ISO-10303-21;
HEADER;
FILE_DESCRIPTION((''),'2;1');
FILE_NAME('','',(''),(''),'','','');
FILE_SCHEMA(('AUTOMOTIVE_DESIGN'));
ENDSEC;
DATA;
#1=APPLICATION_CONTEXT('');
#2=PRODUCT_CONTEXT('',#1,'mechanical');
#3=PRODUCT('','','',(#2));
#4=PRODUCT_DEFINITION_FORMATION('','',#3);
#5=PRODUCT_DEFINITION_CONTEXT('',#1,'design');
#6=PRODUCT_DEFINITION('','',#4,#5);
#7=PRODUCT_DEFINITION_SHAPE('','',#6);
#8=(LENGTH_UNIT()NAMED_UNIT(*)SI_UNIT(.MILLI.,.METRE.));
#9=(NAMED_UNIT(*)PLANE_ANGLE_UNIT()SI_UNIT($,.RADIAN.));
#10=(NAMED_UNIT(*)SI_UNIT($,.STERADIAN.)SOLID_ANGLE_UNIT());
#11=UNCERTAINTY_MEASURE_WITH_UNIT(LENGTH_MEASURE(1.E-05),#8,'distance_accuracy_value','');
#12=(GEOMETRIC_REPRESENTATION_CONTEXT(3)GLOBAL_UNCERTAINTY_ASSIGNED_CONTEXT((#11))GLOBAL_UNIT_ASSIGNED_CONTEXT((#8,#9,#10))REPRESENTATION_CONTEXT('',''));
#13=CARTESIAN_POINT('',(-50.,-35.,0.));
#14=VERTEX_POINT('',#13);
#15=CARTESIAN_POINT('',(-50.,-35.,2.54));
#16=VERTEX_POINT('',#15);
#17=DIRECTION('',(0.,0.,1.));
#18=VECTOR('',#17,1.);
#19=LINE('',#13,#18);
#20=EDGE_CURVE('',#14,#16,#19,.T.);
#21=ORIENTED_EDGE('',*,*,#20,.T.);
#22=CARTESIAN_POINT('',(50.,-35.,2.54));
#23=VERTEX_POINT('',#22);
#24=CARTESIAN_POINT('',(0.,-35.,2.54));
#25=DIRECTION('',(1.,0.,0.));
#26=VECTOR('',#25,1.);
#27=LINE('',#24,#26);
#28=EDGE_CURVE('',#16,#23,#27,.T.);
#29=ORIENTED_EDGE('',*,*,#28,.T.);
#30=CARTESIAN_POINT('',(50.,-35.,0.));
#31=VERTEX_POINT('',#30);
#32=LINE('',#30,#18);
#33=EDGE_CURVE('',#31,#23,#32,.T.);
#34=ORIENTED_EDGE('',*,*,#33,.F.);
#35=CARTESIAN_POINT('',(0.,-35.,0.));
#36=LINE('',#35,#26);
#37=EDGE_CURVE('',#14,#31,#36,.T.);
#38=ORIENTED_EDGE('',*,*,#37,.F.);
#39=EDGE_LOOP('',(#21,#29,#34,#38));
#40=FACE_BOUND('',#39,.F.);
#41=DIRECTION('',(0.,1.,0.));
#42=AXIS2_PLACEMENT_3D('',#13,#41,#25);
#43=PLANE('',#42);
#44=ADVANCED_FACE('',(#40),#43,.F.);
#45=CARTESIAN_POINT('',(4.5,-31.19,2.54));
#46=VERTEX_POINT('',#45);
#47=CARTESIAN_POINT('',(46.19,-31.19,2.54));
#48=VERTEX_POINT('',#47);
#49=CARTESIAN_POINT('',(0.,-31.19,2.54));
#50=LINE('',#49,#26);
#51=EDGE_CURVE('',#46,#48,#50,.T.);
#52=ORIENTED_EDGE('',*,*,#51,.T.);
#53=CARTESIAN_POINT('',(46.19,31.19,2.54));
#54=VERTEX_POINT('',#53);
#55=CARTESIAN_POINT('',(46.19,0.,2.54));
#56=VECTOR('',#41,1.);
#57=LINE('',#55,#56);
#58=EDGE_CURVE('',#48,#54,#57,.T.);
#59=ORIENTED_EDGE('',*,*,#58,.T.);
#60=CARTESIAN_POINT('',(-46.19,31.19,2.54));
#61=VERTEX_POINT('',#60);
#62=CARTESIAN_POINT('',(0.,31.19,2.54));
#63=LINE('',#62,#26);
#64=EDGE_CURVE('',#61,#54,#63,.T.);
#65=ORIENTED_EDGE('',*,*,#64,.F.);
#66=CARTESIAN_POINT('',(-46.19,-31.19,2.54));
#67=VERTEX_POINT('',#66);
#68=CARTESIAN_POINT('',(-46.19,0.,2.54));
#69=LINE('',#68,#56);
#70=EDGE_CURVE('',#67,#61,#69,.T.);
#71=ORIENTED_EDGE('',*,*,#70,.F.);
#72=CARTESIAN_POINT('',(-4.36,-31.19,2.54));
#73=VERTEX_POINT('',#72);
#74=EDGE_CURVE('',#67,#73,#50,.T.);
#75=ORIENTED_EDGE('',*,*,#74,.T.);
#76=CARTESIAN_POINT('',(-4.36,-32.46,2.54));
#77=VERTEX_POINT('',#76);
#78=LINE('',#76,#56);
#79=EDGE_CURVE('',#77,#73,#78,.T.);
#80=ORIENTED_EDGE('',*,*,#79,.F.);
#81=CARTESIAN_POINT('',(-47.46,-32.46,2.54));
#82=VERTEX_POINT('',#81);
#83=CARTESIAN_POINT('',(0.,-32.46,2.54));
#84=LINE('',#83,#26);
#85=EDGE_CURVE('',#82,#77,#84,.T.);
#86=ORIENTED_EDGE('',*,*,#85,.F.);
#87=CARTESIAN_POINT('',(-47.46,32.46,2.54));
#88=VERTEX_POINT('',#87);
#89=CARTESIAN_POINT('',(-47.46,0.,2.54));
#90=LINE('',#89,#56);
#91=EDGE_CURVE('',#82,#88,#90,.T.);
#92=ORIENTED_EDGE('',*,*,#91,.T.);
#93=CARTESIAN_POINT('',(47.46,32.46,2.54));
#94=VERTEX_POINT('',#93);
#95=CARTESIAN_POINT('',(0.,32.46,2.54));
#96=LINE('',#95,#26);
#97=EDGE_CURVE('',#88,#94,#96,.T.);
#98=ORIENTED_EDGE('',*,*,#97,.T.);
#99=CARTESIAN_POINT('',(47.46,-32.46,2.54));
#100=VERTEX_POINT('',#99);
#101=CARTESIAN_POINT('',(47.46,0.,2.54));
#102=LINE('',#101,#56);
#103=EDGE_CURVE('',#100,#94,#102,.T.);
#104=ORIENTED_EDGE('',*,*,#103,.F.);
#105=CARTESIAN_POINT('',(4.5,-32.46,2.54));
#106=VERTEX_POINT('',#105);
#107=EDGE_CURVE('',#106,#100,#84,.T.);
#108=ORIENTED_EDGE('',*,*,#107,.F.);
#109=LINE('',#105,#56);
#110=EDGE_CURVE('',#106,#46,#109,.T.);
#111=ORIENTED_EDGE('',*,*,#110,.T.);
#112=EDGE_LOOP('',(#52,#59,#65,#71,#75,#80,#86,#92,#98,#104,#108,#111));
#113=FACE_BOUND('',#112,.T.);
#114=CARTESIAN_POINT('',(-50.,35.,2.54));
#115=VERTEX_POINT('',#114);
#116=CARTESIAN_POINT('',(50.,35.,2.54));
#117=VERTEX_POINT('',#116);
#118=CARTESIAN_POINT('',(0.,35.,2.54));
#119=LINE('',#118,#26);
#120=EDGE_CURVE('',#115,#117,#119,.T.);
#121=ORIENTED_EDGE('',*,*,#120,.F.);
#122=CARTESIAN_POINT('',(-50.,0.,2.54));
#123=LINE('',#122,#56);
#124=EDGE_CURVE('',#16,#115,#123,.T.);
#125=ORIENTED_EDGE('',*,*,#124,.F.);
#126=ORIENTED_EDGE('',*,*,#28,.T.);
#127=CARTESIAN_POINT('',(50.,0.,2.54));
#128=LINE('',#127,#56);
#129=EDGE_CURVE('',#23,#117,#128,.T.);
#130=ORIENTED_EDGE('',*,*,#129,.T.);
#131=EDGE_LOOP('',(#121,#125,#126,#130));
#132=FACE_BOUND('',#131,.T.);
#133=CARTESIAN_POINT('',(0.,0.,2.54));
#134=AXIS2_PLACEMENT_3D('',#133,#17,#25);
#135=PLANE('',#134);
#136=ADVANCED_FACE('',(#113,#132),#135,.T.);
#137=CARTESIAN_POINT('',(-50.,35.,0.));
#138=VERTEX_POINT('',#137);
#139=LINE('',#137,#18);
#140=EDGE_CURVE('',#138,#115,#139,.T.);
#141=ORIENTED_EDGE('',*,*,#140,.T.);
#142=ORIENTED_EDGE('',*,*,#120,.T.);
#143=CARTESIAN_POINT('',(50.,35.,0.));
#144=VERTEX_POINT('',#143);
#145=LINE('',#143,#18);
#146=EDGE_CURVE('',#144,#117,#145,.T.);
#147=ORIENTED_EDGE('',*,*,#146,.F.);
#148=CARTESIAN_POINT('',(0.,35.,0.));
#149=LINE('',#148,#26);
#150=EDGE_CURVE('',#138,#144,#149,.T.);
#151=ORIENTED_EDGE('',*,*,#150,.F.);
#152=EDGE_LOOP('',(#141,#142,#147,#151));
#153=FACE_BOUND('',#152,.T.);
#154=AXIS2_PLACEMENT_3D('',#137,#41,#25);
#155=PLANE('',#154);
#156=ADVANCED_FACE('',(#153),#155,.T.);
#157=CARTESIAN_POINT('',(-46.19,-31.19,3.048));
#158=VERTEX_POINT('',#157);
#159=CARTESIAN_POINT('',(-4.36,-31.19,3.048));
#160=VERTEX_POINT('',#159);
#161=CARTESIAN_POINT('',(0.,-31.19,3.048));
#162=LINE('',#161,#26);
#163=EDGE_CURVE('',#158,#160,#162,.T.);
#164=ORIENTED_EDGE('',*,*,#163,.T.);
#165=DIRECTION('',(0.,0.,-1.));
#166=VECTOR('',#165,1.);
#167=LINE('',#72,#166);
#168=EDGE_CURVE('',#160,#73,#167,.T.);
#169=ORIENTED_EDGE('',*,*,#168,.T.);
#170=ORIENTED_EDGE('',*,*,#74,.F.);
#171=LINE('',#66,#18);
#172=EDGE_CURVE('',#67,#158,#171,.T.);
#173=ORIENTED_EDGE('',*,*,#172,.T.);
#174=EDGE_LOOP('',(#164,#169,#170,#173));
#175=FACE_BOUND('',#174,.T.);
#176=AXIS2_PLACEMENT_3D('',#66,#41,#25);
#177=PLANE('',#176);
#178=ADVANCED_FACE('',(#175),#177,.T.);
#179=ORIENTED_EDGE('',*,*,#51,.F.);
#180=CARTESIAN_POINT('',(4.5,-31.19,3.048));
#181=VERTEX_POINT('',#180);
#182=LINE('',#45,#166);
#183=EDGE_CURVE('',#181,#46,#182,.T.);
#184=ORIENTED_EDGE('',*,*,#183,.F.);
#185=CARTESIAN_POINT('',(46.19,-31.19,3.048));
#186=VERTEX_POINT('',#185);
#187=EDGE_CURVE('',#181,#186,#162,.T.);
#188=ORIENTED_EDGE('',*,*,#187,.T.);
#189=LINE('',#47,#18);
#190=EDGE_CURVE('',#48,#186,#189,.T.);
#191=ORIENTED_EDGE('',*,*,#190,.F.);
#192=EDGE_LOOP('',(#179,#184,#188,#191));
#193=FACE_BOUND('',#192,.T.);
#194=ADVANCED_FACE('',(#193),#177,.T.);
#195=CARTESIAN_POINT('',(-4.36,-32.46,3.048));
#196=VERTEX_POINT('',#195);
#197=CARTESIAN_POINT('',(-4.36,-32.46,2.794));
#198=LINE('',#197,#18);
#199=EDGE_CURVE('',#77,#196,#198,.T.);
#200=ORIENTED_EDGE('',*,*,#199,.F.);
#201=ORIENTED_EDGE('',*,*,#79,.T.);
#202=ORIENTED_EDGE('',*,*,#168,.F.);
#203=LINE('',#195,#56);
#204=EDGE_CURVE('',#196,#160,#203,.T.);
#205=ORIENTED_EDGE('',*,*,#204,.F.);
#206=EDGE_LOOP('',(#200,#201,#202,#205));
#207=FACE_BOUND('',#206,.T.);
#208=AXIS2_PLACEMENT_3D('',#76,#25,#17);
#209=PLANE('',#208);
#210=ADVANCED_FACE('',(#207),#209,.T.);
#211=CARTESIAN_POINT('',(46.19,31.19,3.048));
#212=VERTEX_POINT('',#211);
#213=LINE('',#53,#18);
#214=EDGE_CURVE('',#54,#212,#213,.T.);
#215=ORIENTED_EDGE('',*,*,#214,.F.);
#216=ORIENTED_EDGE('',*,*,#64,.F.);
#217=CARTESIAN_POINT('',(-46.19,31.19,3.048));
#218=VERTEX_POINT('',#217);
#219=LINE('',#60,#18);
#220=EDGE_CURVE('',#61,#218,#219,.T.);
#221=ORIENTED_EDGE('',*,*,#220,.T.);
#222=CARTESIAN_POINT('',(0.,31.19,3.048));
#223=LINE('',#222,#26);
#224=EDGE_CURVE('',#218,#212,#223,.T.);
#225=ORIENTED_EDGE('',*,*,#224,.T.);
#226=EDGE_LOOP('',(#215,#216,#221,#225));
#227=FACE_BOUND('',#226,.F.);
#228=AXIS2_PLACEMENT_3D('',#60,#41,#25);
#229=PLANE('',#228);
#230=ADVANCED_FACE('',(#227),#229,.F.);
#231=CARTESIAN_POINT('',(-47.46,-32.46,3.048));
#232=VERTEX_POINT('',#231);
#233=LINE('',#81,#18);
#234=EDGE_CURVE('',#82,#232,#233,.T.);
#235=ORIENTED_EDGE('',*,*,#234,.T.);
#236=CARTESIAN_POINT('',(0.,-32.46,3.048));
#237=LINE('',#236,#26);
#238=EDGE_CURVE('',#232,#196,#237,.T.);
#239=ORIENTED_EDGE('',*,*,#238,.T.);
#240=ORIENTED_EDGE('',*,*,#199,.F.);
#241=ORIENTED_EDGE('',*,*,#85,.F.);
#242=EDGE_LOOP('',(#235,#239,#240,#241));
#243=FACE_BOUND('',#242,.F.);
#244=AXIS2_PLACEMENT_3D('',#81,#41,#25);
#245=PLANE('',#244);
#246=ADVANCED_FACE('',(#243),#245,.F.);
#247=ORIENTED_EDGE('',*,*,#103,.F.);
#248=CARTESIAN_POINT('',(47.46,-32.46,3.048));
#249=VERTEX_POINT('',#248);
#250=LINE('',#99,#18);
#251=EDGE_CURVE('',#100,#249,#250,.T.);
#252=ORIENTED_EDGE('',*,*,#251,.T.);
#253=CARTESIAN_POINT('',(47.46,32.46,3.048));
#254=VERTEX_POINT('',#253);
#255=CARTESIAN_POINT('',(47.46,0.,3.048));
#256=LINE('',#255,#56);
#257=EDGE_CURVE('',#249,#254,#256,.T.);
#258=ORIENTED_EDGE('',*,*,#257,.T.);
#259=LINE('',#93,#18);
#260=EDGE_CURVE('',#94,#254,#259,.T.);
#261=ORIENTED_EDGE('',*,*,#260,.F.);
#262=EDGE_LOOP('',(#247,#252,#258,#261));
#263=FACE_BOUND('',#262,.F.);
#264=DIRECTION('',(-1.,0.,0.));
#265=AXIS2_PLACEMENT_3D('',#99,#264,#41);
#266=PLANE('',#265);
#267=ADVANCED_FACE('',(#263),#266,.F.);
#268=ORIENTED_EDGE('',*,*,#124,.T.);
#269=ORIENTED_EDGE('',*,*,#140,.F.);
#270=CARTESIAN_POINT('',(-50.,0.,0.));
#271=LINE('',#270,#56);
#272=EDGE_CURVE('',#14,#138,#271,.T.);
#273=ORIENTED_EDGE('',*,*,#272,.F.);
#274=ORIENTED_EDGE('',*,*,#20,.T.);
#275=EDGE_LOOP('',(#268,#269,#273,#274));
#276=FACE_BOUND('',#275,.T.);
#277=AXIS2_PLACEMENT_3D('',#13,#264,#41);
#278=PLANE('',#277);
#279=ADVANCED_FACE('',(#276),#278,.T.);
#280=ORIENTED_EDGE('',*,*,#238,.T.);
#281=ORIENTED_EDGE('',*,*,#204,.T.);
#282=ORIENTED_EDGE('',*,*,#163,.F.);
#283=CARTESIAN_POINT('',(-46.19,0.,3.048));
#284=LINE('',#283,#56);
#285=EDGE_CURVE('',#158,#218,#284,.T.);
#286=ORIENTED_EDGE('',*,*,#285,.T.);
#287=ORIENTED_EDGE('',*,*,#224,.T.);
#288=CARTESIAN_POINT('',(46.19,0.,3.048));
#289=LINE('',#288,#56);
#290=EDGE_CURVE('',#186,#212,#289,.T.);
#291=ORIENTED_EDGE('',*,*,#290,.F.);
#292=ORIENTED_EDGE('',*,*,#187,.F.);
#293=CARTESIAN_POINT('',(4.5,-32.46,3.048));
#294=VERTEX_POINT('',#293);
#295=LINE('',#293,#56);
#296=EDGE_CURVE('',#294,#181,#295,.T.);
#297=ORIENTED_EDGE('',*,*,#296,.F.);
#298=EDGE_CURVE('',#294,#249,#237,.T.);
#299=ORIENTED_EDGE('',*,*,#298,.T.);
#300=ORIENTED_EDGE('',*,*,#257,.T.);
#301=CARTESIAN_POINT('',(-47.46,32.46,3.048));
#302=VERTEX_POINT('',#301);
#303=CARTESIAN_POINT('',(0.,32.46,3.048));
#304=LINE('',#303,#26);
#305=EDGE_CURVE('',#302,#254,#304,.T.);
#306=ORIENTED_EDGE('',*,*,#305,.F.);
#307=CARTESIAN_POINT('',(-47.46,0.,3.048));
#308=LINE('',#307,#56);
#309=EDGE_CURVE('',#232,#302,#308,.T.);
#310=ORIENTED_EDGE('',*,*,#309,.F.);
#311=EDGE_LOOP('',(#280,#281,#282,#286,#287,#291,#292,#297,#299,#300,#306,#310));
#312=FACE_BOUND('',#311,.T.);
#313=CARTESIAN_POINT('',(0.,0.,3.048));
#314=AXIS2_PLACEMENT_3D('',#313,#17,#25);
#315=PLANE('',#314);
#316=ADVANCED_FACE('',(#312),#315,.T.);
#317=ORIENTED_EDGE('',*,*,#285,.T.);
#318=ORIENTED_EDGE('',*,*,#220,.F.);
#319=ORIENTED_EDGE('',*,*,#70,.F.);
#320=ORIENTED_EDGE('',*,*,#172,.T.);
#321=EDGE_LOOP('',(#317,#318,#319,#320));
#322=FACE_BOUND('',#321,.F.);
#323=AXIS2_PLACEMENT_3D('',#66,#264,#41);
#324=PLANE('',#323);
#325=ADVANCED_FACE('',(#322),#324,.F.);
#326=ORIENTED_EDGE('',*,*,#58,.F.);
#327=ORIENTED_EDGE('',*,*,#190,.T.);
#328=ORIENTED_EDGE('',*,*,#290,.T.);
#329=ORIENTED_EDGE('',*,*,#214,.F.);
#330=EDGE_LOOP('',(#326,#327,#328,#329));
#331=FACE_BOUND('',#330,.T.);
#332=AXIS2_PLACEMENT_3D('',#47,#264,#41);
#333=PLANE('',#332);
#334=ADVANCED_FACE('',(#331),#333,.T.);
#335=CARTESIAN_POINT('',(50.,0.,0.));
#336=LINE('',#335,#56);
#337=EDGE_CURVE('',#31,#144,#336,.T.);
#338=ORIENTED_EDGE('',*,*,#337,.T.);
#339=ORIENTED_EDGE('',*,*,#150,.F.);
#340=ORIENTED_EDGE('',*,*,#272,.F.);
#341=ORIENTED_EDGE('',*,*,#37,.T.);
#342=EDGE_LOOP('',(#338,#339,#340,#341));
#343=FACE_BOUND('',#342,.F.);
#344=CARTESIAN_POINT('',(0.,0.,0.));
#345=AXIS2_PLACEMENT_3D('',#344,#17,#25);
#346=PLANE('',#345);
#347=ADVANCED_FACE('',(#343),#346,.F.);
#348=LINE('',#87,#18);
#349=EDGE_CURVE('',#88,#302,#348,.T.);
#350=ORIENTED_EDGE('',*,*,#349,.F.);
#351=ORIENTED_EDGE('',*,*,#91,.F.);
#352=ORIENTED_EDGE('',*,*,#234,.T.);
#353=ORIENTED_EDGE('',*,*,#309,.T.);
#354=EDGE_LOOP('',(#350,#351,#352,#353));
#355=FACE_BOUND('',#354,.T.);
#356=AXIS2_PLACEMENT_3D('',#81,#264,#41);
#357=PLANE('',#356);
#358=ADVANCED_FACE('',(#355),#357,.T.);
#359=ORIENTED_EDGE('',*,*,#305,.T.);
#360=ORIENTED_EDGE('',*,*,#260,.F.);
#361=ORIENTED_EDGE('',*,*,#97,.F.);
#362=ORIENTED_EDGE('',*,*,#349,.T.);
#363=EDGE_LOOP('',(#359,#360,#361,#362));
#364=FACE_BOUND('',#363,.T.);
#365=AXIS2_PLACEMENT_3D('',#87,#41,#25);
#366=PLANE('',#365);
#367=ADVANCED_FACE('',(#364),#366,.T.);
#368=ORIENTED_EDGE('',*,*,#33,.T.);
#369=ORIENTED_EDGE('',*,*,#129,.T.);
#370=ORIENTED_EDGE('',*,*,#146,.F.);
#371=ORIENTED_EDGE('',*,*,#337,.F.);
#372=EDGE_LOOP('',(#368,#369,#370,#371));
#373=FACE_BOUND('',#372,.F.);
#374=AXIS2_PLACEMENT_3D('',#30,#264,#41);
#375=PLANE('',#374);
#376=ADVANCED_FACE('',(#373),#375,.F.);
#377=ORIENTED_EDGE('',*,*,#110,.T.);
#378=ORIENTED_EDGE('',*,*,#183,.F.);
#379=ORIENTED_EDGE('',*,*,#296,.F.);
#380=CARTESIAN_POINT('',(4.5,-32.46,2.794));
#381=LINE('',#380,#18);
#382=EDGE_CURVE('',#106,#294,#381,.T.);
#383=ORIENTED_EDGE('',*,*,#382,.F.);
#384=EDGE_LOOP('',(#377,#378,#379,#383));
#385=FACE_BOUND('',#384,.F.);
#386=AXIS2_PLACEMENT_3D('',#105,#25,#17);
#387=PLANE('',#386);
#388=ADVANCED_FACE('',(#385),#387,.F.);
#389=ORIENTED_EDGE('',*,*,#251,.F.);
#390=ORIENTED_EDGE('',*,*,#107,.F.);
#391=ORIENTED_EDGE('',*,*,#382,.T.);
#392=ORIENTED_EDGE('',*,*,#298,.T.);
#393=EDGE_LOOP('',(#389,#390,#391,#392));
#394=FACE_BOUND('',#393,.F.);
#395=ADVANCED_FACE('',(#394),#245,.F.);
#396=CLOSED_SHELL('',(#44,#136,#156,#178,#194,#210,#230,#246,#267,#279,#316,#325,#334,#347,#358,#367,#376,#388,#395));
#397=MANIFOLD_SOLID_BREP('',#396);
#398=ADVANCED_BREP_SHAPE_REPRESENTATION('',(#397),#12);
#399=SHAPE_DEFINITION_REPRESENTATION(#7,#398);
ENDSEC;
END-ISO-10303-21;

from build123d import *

# Parameters (mm, degrees)
F0_W     = 100
F0_H     = 70
F1_DEPTH = 2.54
F2_W     = 94.92
F2_H     = 64.92
F2_W_2   = 92.38
F2_H_2   = 62.38
F3_DEPTH = 0.508
F4_W     = 8.86
F4_H     = 0.508
F5_DEPTH = 25.4


with BuildPart() as f1:
    # F0 (on Top) → F1 (new body)
    with BuildSketch(Plane.XY):
        Rectangle(F0_W, F0_H)
    extrude(amount=F1_DEPTH)

    # F2 (on face) → F3 (join)
    with BuildSketch(Plane.XY.offset(2.54)):
        Rectangle(F2_W, F2_H)
        Rectangle(F2_W_2, F2_H_2, mode=Mode.SUBTRACT)
    extrude(amount=F3_DEPTH)

    # F4 (on face) → F5 (cut)
    with BuildSketch(Plane.XZ.offset(32.46)):
        with Locations((0.07, 2.794)):
            Rectangle(F4_W, F4_H)
    extrude(amount=-F5_DEPTH, mode=Mode.SUBTRACT)


solid = f1.part
